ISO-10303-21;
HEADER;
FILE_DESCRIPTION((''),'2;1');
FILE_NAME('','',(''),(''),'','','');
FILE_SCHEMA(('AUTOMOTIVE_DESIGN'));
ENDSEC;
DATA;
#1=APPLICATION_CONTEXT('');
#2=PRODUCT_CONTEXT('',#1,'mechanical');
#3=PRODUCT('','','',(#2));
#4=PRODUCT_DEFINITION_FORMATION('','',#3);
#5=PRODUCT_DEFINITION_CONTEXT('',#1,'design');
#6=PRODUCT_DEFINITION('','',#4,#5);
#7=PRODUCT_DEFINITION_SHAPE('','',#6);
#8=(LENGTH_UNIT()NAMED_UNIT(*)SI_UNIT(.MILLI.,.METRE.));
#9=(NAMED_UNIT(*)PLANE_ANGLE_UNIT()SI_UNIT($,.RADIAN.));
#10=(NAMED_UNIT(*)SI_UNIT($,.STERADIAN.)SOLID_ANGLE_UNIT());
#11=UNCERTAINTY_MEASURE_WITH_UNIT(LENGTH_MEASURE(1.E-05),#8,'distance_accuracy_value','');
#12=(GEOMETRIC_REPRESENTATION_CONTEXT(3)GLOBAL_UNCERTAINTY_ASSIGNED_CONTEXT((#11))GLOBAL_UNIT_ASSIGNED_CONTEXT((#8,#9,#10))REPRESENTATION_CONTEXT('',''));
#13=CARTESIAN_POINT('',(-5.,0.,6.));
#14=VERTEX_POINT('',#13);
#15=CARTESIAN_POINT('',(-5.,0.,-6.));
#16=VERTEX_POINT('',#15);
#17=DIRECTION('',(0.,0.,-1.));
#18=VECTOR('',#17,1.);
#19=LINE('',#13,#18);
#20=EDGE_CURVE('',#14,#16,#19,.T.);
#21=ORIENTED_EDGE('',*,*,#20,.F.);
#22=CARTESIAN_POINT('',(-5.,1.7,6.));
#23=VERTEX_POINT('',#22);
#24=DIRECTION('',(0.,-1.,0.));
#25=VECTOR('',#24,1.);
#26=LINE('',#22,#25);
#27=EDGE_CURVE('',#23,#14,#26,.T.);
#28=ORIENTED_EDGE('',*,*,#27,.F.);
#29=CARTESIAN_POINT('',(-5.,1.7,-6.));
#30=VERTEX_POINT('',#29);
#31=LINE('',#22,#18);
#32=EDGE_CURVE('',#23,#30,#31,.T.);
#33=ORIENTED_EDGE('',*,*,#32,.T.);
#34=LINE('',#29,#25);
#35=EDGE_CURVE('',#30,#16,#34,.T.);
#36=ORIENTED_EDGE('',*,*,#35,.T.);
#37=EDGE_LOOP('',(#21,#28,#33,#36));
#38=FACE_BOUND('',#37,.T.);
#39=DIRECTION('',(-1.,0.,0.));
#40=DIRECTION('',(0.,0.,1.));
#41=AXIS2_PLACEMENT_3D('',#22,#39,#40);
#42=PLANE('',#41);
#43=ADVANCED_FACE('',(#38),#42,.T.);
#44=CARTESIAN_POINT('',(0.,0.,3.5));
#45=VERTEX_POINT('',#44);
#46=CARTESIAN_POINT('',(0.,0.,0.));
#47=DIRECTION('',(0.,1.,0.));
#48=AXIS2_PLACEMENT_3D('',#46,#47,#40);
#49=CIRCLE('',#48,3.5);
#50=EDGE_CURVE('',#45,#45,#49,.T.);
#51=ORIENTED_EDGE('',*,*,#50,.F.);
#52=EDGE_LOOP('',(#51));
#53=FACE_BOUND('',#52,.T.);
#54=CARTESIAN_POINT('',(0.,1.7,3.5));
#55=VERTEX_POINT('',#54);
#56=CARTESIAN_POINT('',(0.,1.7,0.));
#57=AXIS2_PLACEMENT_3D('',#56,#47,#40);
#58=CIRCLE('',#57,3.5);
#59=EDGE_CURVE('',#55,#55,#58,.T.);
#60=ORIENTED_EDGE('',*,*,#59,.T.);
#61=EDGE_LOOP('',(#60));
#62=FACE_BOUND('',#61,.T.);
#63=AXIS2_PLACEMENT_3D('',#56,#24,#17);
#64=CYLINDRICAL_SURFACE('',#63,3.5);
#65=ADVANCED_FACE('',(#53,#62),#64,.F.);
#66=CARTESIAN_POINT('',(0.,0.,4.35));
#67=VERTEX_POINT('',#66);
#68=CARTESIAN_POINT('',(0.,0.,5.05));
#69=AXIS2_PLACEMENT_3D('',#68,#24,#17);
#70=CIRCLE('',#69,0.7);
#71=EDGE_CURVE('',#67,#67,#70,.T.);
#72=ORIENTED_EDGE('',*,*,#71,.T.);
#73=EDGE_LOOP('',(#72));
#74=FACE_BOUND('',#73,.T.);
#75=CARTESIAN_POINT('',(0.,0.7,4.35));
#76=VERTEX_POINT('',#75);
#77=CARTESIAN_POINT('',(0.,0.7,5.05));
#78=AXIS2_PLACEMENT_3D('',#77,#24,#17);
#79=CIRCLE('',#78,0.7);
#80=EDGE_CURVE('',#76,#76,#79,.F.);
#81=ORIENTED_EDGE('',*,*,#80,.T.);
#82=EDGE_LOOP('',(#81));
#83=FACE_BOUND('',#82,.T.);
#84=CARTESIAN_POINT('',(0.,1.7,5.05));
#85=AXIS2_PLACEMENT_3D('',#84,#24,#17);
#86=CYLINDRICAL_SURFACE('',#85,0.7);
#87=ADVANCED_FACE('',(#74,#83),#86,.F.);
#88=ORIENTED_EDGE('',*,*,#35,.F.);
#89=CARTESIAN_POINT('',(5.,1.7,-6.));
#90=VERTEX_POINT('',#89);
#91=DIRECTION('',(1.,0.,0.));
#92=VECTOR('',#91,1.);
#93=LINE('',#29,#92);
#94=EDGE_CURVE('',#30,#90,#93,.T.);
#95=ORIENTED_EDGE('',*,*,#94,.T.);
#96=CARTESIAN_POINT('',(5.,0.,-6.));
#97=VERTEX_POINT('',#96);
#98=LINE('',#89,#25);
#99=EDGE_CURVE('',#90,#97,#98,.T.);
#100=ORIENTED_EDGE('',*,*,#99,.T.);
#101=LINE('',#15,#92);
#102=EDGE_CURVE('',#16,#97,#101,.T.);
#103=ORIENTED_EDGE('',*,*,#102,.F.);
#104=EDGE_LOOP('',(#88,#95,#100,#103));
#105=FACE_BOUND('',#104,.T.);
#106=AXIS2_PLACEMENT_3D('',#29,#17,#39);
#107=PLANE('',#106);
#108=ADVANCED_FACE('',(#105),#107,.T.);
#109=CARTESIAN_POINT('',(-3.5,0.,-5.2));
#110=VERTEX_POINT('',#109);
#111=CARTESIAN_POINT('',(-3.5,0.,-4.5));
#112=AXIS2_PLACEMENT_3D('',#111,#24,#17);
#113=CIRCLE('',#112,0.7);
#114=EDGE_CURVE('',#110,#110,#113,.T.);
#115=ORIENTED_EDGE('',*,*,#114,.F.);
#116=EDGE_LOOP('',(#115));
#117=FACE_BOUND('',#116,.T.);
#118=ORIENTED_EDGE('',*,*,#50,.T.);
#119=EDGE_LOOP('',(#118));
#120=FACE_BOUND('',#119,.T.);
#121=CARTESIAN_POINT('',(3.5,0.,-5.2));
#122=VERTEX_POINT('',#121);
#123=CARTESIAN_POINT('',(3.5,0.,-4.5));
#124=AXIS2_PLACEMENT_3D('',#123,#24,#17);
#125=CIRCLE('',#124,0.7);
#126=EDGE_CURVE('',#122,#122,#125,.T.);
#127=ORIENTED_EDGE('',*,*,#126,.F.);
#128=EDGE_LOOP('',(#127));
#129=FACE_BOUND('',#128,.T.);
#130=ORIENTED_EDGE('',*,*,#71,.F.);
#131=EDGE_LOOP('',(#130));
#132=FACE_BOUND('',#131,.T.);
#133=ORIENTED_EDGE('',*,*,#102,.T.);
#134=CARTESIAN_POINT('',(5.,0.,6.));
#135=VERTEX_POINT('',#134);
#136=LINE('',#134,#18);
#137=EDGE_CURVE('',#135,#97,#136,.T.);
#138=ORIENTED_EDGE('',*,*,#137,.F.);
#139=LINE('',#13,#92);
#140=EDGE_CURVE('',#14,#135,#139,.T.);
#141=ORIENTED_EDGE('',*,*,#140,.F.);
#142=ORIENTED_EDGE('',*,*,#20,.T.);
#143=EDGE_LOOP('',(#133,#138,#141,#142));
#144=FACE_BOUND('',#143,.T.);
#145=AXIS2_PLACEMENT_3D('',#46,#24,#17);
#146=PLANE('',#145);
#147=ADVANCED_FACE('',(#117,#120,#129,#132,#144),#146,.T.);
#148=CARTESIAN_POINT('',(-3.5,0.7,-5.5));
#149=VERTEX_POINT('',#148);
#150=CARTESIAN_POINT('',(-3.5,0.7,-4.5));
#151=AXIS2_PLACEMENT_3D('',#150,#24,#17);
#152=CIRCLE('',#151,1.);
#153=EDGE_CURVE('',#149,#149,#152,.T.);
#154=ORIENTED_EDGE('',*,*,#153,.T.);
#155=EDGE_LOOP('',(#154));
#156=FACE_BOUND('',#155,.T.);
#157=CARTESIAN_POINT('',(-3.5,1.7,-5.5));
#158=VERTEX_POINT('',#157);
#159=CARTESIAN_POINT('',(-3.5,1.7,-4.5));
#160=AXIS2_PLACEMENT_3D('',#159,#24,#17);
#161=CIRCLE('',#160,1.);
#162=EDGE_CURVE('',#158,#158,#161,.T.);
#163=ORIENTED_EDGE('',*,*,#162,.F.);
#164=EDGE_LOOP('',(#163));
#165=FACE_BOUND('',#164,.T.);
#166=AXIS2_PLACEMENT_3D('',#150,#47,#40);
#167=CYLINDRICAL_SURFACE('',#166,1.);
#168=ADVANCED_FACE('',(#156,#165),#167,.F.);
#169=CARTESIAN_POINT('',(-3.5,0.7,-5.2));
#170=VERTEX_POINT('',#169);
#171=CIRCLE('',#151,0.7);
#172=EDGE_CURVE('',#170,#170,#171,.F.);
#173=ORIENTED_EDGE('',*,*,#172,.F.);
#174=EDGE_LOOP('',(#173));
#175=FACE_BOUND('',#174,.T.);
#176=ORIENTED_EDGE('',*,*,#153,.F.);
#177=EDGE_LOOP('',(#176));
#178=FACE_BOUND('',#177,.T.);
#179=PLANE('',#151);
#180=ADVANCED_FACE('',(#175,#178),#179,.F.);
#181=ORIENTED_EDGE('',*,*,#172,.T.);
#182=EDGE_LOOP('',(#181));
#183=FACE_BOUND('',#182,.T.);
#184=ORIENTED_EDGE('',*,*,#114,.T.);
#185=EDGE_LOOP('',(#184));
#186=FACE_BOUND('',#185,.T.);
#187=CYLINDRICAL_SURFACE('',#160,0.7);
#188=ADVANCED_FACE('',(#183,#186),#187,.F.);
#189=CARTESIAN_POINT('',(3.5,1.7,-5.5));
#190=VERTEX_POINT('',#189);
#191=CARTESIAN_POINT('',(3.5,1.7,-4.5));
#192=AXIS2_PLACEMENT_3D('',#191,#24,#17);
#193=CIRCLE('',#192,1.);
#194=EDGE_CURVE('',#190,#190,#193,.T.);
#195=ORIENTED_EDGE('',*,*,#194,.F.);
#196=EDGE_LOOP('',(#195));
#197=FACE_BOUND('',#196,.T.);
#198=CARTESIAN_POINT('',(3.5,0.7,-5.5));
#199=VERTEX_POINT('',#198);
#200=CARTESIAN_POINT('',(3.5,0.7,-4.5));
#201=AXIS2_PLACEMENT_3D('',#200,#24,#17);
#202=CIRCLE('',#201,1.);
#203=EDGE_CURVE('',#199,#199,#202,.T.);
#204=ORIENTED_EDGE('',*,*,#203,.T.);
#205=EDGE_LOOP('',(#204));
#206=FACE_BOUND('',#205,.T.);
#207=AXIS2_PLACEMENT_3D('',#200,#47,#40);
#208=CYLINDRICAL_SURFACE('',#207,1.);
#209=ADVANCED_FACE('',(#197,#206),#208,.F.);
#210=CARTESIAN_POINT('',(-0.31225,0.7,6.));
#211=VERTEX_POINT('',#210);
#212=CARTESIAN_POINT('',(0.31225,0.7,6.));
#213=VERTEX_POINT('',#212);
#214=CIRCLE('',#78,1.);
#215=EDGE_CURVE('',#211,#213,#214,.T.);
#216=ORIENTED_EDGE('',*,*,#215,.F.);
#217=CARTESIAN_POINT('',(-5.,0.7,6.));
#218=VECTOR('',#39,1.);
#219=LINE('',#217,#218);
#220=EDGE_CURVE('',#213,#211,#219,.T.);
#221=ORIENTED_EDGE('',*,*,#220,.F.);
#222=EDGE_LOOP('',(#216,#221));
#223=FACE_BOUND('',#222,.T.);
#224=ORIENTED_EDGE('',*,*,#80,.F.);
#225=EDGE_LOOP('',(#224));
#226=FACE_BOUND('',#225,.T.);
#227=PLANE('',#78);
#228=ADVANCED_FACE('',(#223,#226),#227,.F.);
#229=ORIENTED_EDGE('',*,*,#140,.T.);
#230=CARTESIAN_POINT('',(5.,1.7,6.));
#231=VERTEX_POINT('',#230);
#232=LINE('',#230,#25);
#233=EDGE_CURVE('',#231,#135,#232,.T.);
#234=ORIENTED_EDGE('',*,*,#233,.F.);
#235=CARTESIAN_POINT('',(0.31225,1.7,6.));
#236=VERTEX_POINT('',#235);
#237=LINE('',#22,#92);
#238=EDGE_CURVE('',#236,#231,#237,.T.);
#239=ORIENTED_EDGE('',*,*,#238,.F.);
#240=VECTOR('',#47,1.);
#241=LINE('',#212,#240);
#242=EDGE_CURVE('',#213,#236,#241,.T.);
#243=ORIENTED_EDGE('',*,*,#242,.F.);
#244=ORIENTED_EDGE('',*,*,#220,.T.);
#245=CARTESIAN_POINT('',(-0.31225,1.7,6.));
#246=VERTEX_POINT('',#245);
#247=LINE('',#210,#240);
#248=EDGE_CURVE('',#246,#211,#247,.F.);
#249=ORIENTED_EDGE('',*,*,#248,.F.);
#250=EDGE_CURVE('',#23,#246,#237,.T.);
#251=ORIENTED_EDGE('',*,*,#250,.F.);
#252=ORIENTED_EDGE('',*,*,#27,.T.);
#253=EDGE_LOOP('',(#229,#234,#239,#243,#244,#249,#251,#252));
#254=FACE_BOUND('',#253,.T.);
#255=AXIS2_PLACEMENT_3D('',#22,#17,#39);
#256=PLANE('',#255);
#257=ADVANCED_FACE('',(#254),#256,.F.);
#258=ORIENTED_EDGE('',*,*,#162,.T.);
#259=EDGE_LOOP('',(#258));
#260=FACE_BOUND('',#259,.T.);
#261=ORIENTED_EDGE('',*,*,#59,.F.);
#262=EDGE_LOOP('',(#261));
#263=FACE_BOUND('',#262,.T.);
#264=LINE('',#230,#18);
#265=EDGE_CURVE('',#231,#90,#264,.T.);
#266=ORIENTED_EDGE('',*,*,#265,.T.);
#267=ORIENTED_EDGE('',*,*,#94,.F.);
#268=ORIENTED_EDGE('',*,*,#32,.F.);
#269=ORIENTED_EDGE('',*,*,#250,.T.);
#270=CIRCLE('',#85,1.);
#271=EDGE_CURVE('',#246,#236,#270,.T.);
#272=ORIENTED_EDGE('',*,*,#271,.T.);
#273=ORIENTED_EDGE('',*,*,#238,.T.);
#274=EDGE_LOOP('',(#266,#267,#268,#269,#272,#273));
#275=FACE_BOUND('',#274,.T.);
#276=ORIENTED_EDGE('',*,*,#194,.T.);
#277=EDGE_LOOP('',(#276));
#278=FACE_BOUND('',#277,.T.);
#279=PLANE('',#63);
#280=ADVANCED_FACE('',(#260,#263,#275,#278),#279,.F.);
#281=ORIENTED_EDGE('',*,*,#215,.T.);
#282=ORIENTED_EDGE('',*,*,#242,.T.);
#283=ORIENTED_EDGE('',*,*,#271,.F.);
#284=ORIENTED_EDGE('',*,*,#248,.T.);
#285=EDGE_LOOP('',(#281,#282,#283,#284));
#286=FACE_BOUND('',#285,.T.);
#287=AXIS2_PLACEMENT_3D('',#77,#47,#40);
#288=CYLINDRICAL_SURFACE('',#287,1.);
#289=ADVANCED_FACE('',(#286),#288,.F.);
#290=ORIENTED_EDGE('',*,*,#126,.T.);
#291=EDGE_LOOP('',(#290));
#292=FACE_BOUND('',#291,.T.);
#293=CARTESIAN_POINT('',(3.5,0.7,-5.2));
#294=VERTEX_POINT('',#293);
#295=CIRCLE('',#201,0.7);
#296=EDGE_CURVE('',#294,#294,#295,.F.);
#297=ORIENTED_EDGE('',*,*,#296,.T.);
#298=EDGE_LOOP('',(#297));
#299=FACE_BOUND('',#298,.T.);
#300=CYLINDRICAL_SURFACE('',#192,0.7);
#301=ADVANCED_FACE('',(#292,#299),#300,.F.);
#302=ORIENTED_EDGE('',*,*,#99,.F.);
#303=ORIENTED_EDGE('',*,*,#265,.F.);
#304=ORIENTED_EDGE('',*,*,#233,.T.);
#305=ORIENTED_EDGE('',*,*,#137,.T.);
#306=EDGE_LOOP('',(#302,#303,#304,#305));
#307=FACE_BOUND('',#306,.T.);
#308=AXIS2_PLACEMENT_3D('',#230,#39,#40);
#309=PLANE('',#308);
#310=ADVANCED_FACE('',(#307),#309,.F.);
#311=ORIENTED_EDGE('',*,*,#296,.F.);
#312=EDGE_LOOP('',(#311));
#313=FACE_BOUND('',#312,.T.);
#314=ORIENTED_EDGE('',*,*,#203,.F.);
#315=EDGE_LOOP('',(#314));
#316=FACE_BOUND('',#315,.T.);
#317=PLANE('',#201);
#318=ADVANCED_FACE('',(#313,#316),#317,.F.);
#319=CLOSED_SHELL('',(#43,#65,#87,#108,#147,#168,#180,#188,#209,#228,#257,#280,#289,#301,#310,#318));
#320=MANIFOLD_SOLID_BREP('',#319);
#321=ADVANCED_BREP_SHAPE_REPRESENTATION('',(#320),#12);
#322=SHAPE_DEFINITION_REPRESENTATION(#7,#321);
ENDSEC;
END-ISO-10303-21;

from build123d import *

# Parameters (mm, degrees)
SKETCH_1_W          = 10
SKETCH_1_H          = 12
SKETCH_1_R          = 3.5
EXTRUDE_1_DEPTH     = 1.7
SKETCH_2_R          = 0.7
CUT_EXTRUDE_1_DEPTH = 8.993122043
CUT_EXTRUDE_START   = -1.7
SKETCH_2_3_R        = 1
CUT_EXTRUDE_2_DEPTH = 1


with BuildPart() as part:
    # 草图1 → 凸台-拉伸1 (new body)
    with BuildSketch(Plane(origin=(0, 0, 0), x_dir=(1, 0, 0), z_dir=(0, 1, 0))):
        Rectangle(SKETCH_1_W, SKETCH_1_H)
        with Locations(Location((0, 0, 0), (0, 0, 270))):
            Circle(SKETCH_1_R, mode=Mode.SUBTRACT)
    extrude(amount=EXTRUDE_1_DEPTH)

    # 草图2 → 切除-拉伸1 (cut, through all)
    with BuildSketch(Plane.XZ):
        with Locations(Location((0, 5.05, 0), (0, 0, 270))):
            Circle(SKETCH_2_R)
        with Locations(Location((3.5, -4.5, 0), (0, 0, 270))):
            Circle(SKETCH_2_R)
        with Locations(Location((-3.5, -4.5, 0), (0, 0, 270))):
            Circle(SKETCH_2_R)
    extrude(amount=-CUT_EXTRUDE_1_DEPTH, mode=Mode.SUBTRACT)

    # 草图2<3> → 切除-拉伸2 (cut)
    with BuildSketch(Plane.XZ.offset(CUT_EXTRUDE_START)):
        with Locations((0, 5.05)):
            Circle(SKETCH_2_3_R)
        with Locations(Location((3.5, -4.5, 0), (0, 0, 270))):
            Circle(SKETCH_2_3_R)
        with Locations(Location((-3.5, -4.5, 0), (0, 0, 270))):
            Circle(SKETCH_2_3_R)
    extrude(amount=CUT_EXTRUDE_2_DEPTH, mode=Mode.SUBTRACT)


solid = part.part
